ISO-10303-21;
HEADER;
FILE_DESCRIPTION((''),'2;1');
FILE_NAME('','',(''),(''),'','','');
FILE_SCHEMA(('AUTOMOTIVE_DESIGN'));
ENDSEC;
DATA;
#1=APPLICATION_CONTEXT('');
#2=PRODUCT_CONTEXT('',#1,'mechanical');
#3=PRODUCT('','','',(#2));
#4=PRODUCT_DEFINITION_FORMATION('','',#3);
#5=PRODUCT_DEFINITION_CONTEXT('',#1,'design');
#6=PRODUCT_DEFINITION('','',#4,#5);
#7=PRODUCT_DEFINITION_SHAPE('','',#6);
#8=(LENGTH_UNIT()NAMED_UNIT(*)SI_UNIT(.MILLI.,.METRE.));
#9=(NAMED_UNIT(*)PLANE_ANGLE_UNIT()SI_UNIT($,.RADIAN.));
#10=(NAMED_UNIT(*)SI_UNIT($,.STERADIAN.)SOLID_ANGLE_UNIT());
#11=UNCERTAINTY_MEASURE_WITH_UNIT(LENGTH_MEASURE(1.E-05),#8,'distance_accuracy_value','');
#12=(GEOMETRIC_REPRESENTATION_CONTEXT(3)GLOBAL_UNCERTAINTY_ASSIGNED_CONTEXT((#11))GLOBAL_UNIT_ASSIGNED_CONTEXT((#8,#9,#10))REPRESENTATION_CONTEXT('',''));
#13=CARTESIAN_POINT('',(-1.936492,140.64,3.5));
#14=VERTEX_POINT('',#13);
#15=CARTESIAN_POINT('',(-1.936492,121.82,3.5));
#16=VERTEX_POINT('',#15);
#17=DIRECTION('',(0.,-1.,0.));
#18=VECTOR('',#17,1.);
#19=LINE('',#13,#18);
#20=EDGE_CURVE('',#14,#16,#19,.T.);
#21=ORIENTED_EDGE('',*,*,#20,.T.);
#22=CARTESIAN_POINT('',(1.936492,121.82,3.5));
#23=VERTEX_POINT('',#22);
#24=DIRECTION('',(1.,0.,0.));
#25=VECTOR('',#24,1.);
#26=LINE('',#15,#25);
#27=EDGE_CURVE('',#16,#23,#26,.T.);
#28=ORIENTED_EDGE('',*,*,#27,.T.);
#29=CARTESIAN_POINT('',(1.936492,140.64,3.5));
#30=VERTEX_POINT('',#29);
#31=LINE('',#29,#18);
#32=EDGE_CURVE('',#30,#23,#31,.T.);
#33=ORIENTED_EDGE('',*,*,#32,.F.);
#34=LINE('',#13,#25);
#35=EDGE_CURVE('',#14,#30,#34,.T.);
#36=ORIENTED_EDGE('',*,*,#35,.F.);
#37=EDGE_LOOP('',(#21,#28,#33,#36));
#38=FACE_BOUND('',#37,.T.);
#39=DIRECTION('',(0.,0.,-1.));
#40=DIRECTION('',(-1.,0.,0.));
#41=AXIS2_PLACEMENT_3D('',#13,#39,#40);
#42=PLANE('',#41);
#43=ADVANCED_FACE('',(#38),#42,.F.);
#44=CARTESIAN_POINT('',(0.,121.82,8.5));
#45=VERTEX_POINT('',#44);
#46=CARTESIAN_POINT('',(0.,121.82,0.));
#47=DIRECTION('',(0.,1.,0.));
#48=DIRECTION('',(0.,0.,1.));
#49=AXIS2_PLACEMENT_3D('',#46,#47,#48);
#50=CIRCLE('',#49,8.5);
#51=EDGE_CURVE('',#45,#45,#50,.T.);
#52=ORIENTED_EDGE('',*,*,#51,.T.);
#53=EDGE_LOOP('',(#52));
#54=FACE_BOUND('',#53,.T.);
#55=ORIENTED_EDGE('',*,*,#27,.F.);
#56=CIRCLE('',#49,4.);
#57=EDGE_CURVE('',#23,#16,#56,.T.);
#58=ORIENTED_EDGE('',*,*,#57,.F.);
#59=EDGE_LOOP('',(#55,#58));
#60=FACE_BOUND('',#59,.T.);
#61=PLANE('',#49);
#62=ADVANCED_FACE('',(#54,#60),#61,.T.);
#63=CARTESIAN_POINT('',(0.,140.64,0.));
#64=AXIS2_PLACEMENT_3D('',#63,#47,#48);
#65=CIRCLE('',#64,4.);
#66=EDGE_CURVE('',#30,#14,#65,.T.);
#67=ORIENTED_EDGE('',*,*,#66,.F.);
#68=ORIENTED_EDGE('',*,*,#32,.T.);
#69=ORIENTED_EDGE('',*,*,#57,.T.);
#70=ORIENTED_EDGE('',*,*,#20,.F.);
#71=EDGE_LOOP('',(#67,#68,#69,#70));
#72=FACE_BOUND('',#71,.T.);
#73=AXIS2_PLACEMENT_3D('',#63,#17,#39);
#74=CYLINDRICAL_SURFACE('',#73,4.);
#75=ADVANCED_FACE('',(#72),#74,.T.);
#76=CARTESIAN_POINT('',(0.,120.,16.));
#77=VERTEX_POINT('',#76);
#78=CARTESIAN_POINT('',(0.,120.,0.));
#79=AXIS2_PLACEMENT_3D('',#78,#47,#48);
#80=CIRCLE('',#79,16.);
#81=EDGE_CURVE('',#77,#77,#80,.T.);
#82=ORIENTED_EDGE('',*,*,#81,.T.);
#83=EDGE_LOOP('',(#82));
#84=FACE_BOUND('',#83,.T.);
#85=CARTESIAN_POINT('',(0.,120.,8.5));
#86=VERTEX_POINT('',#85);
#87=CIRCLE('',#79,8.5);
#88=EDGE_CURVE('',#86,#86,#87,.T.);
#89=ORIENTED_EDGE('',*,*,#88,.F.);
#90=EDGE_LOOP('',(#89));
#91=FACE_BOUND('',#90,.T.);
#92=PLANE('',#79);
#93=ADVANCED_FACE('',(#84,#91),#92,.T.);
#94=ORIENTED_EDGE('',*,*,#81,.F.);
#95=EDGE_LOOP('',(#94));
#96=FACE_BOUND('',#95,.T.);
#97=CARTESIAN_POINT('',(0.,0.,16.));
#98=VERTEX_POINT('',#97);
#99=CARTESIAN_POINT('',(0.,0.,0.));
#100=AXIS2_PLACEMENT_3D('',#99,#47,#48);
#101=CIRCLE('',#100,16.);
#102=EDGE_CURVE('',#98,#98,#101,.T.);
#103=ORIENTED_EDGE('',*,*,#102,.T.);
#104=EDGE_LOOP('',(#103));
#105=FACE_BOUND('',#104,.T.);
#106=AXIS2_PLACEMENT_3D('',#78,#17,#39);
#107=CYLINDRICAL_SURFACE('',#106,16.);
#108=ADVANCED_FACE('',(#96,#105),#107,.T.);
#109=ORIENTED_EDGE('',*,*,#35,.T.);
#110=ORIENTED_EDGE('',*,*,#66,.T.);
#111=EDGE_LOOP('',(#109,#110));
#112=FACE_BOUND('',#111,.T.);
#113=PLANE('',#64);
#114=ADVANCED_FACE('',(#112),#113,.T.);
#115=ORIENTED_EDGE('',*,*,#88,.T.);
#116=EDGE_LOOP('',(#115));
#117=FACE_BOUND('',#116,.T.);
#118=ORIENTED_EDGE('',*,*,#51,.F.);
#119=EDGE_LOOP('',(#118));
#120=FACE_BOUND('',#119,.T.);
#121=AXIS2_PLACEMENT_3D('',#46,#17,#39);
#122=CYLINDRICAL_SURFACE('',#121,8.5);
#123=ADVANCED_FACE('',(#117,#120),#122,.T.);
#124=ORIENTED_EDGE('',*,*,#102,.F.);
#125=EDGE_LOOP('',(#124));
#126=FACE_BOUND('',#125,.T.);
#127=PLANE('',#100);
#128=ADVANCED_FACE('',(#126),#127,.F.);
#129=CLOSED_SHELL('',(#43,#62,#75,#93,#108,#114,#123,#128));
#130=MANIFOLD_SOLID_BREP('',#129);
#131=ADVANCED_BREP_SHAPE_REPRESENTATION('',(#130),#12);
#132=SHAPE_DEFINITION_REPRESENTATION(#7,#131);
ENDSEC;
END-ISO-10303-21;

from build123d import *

# Parameters (mm, degrees)
SKETCH1_R           = 16
BOSS_EXTRUDE1_DEPTH = 120
SKETCH2_R           = 8.5
BOSS_EXTRUDE2_DEPTH = 1.82
BOSS_EXTRUDE3_DEPTH = 18.82


with BuildPart() as part:
    # Sketch1 → Boss-Extrude1 (new body)
    with BuildSketch(Plane(origin=(0, 0, 0), x_dir=(1, 0, 0), z_dir=(0, 1, 0))):
        with Locations(Location((0, 0, 0), (0, 0, 270))):
            Circle(SKETCH1_R)
    extrude(amount=BOSS_EXTRUDE1_DEPTH)

    # Sketch2 → Boss-Extrude2 (add)
    with BuildSketch(Plane(origin=(0, 120, 0), x_dir=(1, 0, 0), z_dir=(0, 1, 0))):
        with Locations(Location((0, 0, 0), (0, 0, 270))):
            Circle(SKETCH2_R)
    extrude(amount=BOSS_EXTRUDE2_DEPTH)

    # Sketch3 → Boss-Extrude3 (add)
    with BuildSketch(Plane(origin=(0, 121.82, 0), x_dir=(1, 0, 0), z_dir=(0, 1, 0))):
        with BuildLine():
            Line((-1.936491673, -3.5), (1.936491673, -3.5))
            ThreePointArc((1.936491673, -3.5), (0, 4), (-1.936491673, -3.5))
        make_face()
    extrude(amount=BOSS_EXTRUDE3_DEPTH)


solid = part.part
